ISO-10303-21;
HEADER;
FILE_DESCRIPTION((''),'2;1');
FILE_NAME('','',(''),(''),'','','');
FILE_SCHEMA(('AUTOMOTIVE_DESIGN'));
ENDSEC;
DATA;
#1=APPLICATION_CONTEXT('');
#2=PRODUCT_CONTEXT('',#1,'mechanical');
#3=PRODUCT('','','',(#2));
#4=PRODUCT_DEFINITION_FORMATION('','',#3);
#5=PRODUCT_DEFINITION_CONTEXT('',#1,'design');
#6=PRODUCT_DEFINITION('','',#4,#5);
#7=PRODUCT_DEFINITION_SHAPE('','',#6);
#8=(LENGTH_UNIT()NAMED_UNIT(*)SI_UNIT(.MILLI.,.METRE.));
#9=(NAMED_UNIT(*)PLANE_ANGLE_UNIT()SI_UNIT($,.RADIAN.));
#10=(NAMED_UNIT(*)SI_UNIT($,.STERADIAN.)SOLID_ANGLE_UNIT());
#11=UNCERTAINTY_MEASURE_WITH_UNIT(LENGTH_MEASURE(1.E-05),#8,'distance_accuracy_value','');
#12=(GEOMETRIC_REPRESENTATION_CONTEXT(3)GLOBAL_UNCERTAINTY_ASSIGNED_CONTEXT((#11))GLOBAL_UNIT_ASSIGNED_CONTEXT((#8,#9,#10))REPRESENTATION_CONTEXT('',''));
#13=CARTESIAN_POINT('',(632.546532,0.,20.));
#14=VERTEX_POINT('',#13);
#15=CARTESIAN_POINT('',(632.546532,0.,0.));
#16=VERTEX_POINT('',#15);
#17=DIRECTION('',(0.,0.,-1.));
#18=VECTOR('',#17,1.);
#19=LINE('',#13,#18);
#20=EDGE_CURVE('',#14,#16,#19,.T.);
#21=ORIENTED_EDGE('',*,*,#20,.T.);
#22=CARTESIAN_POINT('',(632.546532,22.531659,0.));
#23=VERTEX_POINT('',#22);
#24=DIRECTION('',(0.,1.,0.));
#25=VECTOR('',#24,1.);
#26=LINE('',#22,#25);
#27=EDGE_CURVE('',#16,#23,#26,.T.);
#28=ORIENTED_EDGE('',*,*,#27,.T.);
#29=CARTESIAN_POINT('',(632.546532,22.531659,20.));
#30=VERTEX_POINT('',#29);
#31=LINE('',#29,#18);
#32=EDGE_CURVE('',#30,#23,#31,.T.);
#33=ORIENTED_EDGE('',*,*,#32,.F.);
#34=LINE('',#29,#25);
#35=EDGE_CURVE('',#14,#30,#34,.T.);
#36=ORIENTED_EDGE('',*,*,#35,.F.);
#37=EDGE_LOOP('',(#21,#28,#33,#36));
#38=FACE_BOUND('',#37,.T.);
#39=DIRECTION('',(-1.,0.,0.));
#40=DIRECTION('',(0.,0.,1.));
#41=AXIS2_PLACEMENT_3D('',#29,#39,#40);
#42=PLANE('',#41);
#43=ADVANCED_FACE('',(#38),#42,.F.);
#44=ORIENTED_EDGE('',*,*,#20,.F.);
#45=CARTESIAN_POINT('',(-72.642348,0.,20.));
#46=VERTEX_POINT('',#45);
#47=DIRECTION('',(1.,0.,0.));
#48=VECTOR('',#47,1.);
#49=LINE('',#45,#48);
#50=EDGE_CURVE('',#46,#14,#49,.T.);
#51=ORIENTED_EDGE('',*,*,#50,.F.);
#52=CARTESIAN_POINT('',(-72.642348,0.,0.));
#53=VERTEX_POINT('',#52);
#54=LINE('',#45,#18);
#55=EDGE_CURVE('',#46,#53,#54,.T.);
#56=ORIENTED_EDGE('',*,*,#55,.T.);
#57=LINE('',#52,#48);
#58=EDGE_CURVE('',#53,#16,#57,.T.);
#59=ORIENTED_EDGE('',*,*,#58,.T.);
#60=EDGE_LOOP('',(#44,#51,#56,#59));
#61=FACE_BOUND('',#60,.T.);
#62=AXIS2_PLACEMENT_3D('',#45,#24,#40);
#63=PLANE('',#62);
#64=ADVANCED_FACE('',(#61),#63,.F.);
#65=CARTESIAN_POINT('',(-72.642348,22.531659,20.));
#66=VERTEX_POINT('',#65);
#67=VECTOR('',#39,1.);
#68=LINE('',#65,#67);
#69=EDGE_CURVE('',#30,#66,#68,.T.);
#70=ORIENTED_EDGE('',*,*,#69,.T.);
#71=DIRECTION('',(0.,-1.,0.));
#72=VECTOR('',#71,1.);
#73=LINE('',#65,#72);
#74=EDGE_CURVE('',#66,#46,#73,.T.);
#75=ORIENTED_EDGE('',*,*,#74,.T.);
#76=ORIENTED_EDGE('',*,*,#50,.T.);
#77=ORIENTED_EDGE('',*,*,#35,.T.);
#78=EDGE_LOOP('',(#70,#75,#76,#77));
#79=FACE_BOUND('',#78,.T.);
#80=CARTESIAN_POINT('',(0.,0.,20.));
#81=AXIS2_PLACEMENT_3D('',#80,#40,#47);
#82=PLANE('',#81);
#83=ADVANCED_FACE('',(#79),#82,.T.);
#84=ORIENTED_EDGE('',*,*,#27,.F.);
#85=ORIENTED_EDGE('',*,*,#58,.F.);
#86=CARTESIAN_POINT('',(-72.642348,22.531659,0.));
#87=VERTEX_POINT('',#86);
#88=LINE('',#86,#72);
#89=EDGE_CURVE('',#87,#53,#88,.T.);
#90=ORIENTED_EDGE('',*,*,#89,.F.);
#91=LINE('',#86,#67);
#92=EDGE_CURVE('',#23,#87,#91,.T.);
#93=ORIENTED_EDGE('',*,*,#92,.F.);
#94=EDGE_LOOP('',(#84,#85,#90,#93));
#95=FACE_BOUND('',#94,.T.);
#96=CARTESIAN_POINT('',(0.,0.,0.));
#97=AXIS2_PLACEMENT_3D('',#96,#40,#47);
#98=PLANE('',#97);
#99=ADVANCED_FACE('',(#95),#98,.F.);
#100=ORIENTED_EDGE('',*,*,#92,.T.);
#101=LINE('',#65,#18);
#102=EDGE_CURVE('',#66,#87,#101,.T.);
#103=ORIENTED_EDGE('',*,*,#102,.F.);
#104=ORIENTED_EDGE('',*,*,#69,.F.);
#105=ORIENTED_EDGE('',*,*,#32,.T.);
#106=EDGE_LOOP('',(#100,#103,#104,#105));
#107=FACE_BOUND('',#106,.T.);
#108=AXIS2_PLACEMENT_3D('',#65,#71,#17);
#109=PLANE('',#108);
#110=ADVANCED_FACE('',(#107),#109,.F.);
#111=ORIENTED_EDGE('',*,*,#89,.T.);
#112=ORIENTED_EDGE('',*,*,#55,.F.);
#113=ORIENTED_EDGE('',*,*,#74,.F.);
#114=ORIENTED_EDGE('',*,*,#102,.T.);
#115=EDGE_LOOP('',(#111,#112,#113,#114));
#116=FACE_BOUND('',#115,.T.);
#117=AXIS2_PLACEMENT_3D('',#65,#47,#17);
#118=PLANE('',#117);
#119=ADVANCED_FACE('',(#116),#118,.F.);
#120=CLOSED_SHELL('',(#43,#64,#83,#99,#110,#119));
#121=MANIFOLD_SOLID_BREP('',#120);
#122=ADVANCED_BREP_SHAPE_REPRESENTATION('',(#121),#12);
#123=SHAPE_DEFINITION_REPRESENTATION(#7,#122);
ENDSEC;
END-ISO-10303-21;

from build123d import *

# Parameters (mm, degrees)
SKETCH_1_W      = 705.188880495
SKETCH_1_H      = 22.531659257
EXTRUDE_1_DEPTH = 20


with BuildPart() as part:
    # Эскиз1 → Бобышка-Вытянуть1 (new body)
    with BuildSketch(Plane.XY):
        with Locations((279.952091829, 11.265829629)):
            Rectangle(SKETCH_1_W, SKETCH_1_H)
    extrude(amount=EXTRUDE_1_DEPTH)


solid = part.part
